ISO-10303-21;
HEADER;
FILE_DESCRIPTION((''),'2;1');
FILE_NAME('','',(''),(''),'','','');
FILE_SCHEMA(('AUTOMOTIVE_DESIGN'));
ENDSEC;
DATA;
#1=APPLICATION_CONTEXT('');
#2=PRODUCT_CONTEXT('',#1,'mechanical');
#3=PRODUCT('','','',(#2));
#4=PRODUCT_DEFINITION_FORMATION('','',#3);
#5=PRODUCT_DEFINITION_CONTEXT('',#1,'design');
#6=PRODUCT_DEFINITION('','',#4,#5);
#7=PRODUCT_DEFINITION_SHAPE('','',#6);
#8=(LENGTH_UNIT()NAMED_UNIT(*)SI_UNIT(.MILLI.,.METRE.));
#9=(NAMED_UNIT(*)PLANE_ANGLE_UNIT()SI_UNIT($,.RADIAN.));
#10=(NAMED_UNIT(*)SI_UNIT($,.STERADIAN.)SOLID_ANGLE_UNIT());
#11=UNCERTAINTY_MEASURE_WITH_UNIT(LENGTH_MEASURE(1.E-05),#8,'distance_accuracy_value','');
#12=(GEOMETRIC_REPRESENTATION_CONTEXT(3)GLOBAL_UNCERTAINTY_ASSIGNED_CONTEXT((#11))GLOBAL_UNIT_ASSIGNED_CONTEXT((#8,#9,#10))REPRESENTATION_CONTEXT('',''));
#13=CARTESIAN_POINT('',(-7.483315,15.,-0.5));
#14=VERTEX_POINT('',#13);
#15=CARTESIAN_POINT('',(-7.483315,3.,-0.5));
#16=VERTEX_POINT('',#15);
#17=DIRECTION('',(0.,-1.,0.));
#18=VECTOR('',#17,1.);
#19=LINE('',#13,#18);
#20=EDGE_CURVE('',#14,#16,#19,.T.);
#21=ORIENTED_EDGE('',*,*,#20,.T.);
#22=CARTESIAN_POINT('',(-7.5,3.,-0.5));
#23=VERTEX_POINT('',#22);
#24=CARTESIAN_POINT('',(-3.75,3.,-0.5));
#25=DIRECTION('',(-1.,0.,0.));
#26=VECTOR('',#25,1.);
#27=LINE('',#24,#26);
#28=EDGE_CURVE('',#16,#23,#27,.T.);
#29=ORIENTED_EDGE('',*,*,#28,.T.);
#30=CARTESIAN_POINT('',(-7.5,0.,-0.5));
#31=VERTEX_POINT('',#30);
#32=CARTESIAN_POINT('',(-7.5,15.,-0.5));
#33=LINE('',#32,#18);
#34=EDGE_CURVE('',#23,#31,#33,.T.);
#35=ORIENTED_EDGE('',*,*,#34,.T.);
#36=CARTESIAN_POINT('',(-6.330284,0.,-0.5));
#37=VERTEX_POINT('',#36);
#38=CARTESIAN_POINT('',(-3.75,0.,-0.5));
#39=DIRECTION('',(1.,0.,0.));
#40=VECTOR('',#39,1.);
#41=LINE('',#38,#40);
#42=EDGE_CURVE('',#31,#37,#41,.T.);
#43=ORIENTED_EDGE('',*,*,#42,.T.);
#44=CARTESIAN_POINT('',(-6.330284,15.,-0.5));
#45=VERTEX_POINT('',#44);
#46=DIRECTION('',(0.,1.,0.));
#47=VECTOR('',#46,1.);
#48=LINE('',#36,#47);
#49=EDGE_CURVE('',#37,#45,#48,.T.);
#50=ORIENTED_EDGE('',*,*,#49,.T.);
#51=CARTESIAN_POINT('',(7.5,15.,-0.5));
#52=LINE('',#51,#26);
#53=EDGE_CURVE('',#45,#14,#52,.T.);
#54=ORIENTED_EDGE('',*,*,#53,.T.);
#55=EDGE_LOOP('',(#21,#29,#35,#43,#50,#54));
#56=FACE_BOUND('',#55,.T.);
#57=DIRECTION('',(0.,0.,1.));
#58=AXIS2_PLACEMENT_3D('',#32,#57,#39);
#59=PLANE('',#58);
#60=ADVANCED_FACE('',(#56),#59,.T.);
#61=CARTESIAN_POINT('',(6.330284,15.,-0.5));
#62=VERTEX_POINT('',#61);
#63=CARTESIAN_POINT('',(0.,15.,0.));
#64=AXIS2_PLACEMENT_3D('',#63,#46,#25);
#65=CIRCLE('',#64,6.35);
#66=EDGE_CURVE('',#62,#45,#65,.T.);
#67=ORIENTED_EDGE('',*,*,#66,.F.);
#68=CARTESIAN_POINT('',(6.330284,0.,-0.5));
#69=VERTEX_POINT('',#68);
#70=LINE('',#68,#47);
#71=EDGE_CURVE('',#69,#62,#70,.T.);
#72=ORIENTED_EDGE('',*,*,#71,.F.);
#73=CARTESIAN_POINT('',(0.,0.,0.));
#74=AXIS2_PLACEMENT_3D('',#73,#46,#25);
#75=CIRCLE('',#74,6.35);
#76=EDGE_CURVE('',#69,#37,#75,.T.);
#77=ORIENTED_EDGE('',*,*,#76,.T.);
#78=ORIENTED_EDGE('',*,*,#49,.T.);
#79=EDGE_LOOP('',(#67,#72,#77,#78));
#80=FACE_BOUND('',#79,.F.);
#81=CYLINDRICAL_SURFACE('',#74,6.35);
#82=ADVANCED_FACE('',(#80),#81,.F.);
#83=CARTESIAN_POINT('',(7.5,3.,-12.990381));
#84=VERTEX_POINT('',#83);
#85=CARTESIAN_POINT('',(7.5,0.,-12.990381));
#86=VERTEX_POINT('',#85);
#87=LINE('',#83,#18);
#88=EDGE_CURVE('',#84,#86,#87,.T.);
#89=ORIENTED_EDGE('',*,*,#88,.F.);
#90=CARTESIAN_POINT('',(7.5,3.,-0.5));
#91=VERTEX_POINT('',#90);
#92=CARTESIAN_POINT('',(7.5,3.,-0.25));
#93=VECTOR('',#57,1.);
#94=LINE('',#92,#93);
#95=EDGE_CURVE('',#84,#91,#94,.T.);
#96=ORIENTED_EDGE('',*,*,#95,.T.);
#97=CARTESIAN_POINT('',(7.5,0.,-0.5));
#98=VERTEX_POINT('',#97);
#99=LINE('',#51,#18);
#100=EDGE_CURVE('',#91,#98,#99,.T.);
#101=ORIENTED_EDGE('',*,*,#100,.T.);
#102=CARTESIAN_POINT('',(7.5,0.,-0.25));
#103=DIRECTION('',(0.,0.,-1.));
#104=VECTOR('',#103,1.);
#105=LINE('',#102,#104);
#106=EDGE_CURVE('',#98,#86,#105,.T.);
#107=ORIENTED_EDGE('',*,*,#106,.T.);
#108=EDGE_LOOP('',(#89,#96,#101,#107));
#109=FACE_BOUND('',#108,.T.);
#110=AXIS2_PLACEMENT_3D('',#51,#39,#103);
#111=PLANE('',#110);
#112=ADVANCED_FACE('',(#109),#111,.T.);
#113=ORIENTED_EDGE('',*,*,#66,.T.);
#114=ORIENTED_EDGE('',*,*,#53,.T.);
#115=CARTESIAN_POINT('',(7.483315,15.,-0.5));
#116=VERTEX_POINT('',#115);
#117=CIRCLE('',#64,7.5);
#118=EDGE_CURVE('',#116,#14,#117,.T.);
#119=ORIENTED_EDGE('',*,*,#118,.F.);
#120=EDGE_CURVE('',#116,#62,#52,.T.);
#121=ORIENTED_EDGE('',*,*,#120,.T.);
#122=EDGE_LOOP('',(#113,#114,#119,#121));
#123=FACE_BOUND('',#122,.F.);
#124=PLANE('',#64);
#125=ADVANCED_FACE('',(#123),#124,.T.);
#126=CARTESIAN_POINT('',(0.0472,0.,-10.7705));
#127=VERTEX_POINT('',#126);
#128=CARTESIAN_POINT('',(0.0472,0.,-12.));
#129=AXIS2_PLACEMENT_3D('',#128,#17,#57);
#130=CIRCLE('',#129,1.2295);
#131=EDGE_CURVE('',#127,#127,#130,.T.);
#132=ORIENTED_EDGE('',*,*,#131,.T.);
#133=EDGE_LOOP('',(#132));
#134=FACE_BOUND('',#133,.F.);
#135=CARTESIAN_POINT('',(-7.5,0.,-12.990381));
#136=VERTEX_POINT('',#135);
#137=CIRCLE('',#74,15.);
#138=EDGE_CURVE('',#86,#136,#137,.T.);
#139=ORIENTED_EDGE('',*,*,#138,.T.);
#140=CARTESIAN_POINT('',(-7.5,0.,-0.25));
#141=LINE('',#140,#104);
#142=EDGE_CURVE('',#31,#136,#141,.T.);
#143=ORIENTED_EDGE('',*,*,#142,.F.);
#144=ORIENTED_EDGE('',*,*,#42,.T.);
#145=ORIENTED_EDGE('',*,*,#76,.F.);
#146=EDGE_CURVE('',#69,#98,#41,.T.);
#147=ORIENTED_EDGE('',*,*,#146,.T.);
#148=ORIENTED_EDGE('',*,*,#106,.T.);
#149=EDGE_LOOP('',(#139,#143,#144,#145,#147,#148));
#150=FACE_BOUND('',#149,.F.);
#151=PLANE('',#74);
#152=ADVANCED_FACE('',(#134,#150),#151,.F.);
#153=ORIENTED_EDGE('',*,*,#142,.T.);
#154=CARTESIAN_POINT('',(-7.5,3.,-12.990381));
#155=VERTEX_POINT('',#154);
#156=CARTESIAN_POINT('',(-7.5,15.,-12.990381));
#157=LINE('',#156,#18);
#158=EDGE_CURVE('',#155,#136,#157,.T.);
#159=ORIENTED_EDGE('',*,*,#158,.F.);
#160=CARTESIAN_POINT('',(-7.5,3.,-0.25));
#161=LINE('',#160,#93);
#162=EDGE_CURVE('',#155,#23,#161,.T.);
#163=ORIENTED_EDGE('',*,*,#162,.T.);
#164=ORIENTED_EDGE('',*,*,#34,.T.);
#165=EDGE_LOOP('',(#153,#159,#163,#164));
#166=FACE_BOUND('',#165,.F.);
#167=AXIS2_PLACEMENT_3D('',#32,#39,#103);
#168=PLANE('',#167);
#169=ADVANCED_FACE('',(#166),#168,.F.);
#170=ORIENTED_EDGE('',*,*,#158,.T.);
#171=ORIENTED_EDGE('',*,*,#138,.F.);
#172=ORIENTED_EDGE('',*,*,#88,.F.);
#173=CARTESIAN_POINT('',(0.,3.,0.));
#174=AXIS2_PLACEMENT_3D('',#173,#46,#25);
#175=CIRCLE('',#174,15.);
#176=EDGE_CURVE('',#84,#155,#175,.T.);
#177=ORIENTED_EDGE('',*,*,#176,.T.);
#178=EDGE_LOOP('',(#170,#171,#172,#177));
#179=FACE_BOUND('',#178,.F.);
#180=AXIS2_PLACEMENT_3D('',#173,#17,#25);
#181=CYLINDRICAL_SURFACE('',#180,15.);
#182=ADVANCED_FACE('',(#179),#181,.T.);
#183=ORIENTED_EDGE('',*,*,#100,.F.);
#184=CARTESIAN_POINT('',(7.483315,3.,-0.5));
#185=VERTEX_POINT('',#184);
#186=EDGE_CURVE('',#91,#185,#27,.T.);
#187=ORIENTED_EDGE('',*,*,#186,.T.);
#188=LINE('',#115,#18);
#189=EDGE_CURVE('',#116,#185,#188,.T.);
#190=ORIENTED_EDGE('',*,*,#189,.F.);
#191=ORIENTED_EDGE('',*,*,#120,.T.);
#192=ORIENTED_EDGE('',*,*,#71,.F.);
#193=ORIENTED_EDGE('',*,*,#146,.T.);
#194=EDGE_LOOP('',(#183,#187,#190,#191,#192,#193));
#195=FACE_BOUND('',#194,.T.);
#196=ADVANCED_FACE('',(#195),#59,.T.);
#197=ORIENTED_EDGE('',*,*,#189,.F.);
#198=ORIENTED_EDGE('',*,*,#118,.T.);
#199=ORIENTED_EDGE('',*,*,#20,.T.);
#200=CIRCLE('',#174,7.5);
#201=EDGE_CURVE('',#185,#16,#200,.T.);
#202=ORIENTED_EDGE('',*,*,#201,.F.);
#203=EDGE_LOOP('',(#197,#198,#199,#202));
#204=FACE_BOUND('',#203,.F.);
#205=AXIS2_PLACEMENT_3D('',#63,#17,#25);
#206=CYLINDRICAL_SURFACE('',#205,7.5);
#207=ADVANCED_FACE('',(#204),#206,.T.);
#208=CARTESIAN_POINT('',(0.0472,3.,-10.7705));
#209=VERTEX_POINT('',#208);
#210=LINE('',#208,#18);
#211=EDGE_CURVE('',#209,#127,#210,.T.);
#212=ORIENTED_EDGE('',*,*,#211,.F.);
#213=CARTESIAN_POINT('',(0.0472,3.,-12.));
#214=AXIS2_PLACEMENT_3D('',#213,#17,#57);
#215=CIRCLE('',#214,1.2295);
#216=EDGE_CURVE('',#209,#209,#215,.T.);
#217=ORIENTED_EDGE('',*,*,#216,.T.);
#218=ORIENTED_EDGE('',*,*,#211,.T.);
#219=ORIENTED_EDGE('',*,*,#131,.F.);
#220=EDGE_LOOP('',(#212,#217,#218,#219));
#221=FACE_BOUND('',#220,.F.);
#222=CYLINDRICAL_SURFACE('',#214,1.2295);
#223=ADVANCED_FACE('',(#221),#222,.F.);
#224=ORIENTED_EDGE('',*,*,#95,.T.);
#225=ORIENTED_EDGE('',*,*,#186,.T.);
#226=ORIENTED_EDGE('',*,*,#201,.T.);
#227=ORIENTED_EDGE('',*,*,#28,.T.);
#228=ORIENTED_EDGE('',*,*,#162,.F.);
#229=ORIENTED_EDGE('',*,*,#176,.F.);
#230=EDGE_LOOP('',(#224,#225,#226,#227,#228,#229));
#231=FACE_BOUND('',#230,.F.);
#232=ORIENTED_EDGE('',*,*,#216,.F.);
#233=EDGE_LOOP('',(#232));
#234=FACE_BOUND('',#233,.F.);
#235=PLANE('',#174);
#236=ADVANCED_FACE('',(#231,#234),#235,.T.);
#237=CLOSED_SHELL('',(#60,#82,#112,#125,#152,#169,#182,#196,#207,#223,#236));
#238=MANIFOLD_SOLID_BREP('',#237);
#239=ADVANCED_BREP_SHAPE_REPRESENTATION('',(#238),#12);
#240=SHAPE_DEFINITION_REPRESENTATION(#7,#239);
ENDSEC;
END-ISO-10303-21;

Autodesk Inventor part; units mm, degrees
ref_plane "YZ Plane" through (0, 0, 0) normal (1, 0, 0) x (0, 1, 0)
ref_plane "XZ Plane" through (0, 0, 0) normal (0, 1, 0) x (-1, 0, 0)
ref_plane "XY Plane" through (0, 0, 0) normal (0, 0, 1) x (1, 0, 0)
sketch "Sketch1" plane through (0, 0, 0) normal (0, 0, 1) x (1, 0, 0)
  line L0 (-15, 0) -> (-6.35, 0)
  line L1 (-6.35, 0) -> (-6.35, 15)
  line L2 (-6.35, 15) -> (-7.5, 15)
  line L3 (-7.5, 15) -> (-7.5, 3)
  line L4 (-7.5, 3) -> (-15, 3)
  line L5 (-15, 3) -> (-15, 0)
  line L6 (0, -3) -> (0, 18) projected
  point P0 (0, 0)
  dimension "d0" = 3
  dimension "d2" = 15
  dimension "d3" = 6.35
  dimension "d4" = 15
  dimension "d17" = 7.5
  dimension "d18" = 1.15
revolve "Revolution1" add sketch "Sketch1" angle 360 about axis through (0, -10, 0) along (0, 1, 0)
sketch "Sketch2" plane through (0, 3, 0) normal (0, 1, 0) x (1, 0, 0)
  point P0 (0, 0)
  point P1 (0.0472, 12)
  dimension "d6" = 12
hole "Hole1" at (0.0472, 3, -12) direction (0, -1, 0) diameter 2.459 end through all thread size "M3x0.5" class "6H" standard "ISO Metric profile"
sketch "Sketch3" plane through (0, 15, 0) normal (0, 1, 0) x (1, 0, 0)
  line L0 (-15, 0.5) -> (15, 0.5)
  line L1 (15, 0.5) -> (15, -15)
  line L2 (15, -15) -> (-15, -15)
  line L3 (-15, -15) -> (-15, 0.5)
  circle A0 centre (0, 0) radius 15 projected
  line L4 (-15, 0) -> (-7.5, 0)
  line L5 (-7.5, 0) -> (-7.5, 15)
  line L6 (-7.5, 15) -> (-15, 15)
  line L7 (-15, 15) -> (-15, 0)
  circle A1 centre (0, 0) radius 7.5 projected
  line L8 (15, 0) -> (7.5, 0)
  line L9 (7.5, 0) -> (7.5, 15)
  line L10 (7.5, 15) -> (15, 15)
  line L11 (15, 15) -> (15, 0)
  point P0 (14.9917, 0.5)
  point P1 (-14.9917, 0.5)
  point P2 (7.5, 0.5)
  point P3 (-7.5, 0.5)
  point P4 (-7.5, 12.9904)
  dimension "d14" = 0.5
extrude "Extrusion1" cut sketch "Sketch3" against normal through all contours A0 L5 L0 | L0 L5 L4 A0 | A0 L2 L3 | L4 A1 L8 A0 | L0 A1 L5 | A0 L1 L2 | A1 L0 | L9 L10 L11 L0 A0 | A0 L0 L9 | L8 L9 L0 A0 | A1 L0 L9 picked at (-1.4202, -1.7241)
properties part number "BaffleClamp" material "Brass, Soft Yellow"
